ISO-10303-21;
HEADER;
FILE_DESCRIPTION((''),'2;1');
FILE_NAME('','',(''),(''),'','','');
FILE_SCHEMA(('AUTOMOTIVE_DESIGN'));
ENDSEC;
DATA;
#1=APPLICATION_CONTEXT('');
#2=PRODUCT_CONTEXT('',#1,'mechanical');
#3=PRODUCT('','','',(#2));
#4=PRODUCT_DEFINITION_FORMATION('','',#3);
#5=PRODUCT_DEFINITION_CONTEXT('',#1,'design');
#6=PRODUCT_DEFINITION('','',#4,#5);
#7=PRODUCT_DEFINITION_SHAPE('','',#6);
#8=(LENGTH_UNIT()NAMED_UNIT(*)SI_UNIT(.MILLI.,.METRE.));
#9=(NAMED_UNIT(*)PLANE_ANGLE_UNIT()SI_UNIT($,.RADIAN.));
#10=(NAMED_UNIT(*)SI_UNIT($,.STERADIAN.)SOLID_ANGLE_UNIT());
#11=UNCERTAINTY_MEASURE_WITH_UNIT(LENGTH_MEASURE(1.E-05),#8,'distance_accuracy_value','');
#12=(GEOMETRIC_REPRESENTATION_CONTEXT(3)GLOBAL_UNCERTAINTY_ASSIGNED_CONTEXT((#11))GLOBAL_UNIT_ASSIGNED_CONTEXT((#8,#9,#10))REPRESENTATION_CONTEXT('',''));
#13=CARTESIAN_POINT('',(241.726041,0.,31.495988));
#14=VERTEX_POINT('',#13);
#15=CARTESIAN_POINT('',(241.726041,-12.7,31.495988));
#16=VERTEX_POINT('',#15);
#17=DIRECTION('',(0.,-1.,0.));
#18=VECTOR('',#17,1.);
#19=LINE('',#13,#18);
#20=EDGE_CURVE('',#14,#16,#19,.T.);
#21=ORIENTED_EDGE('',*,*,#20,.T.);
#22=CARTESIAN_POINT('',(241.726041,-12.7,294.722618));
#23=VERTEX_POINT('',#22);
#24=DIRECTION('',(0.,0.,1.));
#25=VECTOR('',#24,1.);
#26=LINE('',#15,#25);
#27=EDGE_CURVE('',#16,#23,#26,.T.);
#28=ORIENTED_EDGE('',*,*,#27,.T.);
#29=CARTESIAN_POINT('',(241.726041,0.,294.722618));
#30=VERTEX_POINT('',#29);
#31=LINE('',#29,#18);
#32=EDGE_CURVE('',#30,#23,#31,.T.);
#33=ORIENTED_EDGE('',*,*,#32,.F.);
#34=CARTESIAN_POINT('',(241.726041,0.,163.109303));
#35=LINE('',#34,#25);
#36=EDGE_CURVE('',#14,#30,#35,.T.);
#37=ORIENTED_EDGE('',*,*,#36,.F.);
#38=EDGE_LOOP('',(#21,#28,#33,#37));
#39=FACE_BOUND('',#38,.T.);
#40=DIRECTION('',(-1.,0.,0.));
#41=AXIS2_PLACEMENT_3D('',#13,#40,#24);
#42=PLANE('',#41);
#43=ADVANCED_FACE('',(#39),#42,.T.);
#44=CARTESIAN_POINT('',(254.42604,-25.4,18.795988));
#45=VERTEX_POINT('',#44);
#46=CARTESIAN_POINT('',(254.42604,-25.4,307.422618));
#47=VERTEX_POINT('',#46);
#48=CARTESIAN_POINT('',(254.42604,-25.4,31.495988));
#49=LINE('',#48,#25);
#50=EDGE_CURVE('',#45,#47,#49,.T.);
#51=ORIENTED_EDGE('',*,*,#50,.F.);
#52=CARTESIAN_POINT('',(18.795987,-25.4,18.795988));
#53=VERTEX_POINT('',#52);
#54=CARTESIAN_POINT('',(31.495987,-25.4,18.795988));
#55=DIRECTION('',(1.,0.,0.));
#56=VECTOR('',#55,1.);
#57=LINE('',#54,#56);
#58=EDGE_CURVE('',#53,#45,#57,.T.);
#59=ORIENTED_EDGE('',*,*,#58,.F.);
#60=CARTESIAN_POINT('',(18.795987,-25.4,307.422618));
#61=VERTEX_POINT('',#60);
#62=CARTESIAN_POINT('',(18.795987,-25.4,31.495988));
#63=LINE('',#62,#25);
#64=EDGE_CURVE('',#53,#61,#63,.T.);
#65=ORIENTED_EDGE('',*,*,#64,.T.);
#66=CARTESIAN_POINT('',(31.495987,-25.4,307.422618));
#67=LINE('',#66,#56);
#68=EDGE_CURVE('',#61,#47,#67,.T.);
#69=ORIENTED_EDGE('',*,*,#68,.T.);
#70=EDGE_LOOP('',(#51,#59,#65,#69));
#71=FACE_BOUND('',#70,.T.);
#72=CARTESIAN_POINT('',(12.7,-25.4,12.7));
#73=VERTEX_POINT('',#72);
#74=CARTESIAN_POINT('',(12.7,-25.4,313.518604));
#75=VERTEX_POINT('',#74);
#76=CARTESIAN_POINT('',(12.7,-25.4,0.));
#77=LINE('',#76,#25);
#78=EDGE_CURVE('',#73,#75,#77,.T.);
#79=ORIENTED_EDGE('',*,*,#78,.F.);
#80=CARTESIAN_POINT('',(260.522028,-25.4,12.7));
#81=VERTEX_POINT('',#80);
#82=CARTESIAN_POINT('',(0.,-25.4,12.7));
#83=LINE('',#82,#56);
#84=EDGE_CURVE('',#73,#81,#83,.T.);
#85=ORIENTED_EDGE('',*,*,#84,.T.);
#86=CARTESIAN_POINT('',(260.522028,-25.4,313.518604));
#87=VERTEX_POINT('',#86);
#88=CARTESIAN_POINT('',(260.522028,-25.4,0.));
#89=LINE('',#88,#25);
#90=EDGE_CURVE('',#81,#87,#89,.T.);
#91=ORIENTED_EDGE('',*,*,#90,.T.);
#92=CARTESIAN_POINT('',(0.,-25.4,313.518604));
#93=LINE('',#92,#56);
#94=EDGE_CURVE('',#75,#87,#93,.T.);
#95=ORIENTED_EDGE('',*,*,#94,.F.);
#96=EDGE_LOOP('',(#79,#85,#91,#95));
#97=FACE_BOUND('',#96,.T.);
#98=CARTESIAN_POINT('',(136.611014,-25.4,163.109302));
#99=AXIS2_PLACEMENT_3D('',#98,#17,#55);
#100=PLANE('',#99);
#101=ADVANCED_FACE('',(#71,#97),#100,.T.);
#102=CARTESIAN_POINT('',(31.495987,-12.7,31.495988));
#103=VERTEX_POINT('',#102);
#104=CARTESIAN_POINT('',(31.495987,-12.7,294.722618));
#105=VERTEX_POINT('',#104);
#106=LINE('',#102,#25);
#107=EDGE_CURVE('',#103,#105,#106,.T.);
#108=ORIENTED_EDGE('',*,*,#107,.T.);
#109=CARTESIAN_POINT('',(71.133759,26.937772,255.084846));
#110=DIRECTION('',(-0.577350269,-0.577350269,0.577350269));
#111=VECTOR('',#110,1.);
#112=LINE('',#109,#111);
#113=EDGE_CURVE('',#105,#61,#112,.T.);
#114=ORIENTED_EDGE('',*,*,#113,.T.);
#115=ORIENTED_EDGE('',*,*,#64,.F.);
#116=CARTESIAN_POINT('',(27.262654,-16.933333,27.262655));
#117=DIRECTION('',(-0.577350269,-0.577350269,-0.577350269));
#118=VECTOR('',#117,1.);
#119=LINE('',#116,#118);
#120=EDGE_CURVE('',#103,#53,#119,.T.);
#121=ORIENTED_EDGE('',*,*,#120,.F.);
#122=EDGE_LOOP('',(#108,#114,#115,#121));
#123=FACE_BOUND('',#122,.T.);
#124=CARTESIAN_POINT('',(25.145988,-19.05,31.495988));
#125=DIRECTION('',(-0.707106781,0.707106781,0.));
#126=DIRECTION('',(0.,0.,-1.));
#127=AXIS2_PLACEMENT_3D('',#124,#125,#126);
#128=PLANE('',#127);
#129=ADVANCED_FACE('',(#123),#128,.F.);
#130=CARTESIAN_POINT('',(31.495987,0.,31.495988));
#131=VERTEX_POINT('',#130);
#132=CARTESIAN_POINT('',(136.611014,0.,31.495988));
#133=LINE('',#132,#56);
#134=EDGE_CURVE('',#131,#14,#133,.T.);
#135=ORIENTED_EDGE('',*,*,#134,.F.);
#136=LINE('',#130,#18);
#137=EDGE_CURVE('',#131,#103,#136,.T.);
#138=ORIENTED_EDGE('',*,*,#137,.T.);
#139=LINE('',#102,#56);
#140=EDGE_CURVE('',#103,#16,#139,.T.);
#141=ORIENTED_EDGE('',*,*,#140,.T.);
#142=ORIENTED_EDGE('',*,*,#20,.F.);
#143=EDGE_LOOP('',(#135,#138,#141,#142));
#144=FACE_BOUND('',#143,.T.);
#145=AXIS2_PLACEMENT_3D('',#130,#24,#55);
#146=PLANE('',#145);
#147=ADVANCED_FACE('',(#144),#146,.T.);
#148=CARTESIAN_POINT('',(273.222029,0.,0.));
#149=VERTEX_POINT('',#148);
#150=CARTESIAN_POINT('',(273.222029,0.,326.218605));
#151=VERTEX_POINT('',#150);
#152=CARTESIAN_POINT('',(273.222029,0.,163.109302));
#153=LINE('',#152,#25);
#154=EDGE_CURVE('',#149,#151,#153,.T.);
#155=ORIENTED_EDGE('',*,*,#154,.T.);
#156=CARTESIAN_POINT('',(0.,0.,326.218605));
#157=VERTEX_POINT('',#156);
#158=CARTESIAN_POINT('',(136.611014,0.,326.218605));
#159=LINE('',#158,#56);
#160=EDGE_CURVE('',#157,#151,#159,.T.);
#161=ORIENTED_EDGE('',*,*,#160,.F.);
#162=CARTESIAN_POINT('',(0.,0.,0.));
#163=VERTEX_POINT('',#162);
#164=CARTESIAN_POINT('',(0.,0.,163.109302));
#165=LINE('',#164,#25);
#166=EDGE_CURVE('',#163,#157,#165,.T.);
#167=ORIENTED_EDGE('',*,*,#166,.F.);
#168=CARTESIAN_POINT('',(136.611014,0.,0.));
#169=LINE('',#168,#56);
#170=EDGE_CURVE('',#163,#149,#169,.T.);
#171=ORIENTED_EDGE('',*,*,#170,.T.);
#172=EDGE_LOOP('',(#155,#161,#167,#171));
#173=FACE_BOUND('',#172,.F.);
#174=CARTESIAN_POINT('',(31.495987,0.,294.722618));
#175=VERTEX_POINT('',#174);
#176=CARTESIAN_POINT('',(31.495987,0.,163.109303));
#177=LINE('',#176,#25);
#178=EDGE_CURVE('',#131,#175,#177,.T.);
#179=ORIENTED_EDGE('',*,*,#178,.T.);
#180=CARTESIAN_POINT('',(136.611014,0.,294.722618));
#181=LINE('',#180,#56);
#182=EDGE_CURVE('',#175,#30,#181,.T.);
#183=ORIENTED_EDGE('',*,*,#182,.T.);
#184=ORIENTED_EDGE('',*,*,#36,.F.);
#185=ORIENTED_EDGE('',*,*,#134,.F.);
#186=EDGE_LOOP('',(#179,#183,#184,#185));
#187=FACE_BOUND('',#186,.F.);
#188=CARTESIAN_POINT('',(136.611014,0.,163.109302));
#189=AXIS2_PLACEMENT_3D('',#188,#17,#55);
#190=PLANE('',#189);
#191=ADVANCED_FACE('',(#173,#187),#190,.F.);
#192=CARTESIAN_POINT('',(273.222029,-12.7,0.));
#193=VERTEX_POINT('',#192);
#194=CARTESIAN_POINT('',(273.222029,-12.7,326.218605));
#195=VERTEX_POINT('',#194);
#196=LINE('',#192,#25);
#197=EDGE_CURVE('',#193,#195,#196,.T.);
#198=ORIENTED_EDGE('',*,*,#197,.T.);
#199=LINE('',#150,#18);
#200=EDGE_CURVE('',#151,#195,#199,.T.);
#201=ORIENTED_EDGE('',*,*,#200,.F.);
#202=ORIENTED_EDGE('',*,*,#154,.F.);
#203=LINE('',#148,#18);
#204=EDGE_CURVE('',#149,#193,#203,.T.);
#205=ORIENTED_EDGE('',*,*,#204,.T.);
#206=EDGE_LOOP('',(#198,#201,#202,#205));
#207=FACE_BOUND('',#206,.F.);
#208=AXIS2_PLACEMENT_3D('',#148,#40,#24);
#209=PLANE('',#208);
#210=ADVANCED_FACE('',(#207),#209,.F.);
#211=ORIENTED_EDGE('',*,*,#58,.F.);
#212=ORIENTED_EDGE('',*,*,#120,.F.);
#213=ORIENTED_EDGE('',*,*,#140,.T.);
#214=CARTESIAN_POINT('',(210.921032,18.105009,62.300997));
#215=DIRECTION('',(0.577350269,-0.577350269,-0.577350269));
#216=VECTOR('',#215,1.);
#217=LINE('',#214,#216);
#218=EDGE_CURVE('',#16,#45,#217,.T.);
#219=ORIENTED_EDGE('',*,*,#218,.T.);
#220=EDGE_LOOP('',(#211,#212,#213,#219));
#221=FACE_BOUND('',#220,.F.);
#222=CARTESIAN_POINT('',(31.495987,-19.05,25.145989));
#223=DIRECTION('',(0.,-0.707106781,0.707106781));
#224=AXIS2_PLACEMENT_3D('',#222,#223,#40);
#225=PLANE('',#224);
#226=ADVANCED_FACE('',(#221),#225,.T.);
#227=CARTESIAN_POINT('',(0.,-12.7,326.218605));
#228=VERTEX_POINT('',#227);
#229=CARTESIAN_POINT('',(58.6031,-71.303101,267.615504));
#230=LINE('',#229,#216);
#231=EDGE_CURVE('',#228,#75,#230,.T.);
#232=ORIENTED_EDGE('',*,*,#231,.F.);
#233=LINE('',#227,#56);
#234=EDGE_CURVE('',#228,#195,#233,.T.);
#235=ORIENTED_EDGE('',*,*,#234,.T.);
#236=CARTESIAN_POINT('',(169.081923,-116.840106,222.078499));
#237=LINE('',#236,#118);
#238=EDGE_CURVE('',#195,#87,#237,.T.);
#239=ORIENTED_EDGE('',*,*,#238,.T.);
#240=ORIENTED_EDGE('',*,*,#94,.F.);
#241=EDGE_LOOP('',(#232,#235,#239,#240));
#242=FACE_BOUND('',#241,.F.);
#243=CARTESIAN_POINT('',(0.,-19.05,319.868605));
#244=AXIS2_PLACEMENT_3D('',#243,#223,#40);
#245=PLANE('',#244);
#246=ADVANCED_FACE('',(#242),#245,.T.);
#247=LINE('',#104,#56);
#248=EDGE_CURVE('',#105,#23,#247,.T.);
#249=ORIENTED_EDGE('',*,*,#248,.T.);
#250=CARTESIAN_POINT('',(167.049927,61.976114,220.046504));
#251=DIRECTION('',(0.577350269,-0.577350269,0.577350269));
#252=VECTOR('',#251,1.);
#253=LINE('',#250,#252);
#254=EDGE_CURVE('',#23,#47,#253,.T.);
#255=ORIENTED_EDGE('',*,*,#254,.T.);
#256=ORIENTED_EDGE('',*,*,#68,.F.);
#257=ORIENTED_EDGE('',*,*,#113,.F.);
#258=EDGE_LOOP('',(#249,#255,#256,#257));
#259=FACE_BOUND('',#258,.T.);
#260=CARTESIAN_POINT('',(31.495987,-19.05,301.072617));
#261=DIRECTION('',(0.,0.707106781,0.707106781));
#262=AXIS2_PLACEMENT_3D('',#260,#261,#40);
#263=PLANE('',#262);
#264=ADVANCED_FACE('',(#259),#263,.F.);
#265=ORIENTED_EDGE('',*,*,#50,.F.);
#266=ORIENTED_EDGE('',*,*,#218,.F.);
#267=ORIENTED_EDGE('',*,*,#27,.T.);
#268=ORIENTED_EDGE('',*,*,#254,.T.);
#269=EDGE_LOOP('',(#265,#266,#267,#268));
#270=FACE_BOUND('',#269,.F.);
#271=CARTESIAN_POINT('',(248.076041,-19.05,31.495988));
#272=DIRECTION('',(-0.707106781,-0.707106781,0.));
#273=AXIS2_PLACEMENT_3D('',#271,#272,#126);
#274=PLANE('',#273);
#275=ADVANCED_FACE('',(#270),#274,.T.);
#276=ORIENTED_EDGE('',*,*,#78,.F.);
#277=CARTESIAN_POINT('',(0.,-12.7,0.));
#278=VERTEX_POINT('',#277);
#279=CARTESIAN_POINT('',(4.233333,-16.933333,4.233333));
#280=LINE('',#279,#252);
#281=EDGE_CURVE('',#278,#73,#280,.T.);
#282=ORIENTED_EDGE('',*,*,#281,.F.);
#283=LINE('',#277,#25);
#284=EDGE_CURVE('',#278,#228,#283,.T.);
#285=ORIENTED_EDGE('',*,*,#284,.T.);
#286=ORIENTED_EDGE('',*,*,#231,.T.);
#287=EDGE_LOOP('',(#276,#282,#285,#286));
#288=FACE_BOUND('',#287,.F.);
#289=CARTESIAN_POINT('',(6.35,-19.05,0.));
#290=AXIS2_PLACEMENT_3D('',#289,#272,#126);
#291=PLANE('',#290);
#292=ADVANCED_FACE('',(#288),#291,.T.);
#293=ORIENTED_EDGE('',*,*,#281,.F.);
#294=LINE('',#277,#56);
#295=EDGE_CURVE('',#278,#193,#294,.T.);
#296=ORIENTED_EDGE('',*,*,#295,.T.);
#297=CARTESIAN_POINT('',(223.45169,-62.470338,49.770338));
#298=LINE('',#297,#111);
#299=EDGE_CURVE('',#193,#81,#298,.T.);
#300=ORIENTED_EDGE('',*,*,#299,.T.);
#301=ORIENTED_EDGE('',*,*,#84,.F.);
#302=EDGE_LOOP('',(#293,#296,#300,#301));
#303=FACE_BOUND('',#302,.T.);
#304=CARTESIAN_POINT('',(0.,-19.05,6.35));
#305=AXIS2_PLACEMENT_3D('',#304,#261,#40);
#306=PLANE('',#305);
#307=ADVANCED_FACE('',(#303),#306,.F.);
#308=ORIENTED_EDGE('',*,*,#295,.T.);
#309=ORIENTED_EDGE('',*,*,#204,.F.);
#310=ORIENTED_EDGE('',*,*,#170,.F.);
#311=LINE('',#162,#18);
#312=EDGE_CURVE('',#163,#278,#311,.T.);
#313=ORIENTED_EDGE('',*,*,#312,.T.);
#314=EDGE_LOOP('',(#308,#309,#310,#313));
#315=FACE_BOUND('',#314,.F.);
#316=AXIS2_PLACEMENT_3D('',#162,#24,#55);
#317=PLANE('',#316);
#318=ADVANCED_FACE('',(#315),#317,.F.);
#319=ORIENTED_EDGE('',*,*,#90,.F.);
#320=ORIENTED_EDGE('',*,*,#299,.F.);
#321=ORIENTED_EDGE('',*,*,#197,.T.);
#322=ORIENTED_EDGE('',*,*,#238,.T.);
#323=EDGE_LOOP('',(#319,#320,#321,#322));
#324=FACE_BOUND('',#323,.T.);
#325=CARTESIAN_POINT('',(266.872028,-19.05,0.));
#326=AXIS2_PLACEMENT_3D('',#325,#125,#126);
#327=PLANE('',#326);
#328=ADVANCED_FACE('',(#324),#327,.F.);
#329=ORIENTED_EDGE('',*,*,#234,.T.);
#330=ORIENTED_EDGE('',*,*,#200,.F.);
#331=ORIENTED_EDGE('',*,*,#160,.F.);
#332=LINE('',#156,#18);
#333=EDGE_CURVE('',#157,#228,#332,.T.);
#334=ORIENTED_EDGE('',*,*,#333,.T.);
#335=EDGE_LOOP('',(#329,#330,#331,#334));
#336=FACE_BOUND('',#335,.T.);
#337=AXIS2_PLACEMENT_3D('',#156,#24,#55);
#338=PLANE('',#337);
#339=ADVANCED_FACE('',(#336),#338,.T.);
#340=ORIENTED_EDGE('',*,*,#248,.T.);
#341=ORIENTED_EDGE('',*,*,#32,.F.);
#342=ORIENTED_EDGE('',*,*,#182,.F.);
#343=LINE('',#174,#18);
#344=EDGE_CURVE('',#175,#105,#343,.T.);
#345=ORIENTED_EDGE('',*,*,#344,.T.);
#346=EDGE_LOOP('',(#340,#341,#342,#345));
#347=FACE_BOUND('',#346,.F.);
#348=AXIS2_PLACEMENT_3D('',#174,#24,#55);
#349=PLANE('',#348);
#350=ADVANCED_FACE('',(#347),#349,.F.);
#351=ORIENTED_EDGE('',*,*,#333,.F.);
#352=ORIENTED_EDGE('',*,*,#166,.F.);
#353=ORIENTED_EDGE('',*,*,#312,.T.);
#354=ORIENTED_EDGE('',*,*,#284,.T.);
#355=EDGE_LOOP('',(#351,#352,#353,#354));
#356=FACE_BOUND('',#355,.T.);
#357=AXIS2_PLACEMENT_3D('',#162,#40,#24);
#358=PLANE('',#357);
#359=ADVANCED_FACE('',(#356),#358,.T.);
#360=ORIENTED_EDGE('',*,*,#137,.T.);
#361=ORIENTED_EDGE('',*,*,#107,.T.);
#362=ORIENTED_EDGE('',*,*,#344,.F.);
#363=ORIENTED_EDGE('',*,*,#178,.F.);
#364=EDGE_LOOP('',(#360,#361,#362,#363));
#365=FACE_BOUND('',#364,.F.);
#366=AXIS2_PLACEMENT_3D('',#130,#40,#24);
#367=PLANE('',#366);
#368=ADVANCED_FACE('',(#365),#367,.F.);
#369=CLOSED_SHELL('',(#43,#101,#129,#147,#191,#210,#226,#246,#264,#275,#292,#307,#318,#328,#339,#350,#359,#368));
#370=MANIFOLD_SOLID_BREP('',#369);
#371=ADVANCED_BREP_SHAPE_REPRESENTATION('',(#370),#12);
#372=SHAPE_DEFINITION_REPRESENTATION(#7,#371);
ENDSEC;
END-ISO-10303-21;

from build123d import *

# Parameters (mm, degrees)
F0_W     = 273.222029
F0_H     = 326.218605
F0_W_2   = 210.230053
F0_H_2   = 263.226629
F1_DEPTH = 25.4
F2_SIZE  = 12.7


with BuildPart() as f1:
    # F0 (on Front) → F1 (new body)
    with BuildSketch(Plane.XZ):
        with Locations((136.611014, 163.109302)):
            Rectangle(F0_W, F0_H)
        with Locations((136.611014, 163.109303)):
            Rectangle(F0_W_2, F0_H_2, mode=Mode.SUBTRACT)
    extrude(amount=F1_DEPTH)

    # F2
    f2_edges = [f1.edges().sort_by_distance(p)[0] for p in [
        (0, -25.4, 163.109303),
        (136.611015, -25.4, 0),
        (273.222029, -25.4, 163.109303),
        (136.611015, -25.4, 326.218605),
        (31.495988, -25.4, 163.109303),
        (136.611015, -25.4, 294.722617),
        (241.726041, -25.4, 163.109303),
        (136.611015, -25.4, 31.495988),
    ]]
    chamfer(f2_edges, length=F2_SIZE)


solid = f1.part
